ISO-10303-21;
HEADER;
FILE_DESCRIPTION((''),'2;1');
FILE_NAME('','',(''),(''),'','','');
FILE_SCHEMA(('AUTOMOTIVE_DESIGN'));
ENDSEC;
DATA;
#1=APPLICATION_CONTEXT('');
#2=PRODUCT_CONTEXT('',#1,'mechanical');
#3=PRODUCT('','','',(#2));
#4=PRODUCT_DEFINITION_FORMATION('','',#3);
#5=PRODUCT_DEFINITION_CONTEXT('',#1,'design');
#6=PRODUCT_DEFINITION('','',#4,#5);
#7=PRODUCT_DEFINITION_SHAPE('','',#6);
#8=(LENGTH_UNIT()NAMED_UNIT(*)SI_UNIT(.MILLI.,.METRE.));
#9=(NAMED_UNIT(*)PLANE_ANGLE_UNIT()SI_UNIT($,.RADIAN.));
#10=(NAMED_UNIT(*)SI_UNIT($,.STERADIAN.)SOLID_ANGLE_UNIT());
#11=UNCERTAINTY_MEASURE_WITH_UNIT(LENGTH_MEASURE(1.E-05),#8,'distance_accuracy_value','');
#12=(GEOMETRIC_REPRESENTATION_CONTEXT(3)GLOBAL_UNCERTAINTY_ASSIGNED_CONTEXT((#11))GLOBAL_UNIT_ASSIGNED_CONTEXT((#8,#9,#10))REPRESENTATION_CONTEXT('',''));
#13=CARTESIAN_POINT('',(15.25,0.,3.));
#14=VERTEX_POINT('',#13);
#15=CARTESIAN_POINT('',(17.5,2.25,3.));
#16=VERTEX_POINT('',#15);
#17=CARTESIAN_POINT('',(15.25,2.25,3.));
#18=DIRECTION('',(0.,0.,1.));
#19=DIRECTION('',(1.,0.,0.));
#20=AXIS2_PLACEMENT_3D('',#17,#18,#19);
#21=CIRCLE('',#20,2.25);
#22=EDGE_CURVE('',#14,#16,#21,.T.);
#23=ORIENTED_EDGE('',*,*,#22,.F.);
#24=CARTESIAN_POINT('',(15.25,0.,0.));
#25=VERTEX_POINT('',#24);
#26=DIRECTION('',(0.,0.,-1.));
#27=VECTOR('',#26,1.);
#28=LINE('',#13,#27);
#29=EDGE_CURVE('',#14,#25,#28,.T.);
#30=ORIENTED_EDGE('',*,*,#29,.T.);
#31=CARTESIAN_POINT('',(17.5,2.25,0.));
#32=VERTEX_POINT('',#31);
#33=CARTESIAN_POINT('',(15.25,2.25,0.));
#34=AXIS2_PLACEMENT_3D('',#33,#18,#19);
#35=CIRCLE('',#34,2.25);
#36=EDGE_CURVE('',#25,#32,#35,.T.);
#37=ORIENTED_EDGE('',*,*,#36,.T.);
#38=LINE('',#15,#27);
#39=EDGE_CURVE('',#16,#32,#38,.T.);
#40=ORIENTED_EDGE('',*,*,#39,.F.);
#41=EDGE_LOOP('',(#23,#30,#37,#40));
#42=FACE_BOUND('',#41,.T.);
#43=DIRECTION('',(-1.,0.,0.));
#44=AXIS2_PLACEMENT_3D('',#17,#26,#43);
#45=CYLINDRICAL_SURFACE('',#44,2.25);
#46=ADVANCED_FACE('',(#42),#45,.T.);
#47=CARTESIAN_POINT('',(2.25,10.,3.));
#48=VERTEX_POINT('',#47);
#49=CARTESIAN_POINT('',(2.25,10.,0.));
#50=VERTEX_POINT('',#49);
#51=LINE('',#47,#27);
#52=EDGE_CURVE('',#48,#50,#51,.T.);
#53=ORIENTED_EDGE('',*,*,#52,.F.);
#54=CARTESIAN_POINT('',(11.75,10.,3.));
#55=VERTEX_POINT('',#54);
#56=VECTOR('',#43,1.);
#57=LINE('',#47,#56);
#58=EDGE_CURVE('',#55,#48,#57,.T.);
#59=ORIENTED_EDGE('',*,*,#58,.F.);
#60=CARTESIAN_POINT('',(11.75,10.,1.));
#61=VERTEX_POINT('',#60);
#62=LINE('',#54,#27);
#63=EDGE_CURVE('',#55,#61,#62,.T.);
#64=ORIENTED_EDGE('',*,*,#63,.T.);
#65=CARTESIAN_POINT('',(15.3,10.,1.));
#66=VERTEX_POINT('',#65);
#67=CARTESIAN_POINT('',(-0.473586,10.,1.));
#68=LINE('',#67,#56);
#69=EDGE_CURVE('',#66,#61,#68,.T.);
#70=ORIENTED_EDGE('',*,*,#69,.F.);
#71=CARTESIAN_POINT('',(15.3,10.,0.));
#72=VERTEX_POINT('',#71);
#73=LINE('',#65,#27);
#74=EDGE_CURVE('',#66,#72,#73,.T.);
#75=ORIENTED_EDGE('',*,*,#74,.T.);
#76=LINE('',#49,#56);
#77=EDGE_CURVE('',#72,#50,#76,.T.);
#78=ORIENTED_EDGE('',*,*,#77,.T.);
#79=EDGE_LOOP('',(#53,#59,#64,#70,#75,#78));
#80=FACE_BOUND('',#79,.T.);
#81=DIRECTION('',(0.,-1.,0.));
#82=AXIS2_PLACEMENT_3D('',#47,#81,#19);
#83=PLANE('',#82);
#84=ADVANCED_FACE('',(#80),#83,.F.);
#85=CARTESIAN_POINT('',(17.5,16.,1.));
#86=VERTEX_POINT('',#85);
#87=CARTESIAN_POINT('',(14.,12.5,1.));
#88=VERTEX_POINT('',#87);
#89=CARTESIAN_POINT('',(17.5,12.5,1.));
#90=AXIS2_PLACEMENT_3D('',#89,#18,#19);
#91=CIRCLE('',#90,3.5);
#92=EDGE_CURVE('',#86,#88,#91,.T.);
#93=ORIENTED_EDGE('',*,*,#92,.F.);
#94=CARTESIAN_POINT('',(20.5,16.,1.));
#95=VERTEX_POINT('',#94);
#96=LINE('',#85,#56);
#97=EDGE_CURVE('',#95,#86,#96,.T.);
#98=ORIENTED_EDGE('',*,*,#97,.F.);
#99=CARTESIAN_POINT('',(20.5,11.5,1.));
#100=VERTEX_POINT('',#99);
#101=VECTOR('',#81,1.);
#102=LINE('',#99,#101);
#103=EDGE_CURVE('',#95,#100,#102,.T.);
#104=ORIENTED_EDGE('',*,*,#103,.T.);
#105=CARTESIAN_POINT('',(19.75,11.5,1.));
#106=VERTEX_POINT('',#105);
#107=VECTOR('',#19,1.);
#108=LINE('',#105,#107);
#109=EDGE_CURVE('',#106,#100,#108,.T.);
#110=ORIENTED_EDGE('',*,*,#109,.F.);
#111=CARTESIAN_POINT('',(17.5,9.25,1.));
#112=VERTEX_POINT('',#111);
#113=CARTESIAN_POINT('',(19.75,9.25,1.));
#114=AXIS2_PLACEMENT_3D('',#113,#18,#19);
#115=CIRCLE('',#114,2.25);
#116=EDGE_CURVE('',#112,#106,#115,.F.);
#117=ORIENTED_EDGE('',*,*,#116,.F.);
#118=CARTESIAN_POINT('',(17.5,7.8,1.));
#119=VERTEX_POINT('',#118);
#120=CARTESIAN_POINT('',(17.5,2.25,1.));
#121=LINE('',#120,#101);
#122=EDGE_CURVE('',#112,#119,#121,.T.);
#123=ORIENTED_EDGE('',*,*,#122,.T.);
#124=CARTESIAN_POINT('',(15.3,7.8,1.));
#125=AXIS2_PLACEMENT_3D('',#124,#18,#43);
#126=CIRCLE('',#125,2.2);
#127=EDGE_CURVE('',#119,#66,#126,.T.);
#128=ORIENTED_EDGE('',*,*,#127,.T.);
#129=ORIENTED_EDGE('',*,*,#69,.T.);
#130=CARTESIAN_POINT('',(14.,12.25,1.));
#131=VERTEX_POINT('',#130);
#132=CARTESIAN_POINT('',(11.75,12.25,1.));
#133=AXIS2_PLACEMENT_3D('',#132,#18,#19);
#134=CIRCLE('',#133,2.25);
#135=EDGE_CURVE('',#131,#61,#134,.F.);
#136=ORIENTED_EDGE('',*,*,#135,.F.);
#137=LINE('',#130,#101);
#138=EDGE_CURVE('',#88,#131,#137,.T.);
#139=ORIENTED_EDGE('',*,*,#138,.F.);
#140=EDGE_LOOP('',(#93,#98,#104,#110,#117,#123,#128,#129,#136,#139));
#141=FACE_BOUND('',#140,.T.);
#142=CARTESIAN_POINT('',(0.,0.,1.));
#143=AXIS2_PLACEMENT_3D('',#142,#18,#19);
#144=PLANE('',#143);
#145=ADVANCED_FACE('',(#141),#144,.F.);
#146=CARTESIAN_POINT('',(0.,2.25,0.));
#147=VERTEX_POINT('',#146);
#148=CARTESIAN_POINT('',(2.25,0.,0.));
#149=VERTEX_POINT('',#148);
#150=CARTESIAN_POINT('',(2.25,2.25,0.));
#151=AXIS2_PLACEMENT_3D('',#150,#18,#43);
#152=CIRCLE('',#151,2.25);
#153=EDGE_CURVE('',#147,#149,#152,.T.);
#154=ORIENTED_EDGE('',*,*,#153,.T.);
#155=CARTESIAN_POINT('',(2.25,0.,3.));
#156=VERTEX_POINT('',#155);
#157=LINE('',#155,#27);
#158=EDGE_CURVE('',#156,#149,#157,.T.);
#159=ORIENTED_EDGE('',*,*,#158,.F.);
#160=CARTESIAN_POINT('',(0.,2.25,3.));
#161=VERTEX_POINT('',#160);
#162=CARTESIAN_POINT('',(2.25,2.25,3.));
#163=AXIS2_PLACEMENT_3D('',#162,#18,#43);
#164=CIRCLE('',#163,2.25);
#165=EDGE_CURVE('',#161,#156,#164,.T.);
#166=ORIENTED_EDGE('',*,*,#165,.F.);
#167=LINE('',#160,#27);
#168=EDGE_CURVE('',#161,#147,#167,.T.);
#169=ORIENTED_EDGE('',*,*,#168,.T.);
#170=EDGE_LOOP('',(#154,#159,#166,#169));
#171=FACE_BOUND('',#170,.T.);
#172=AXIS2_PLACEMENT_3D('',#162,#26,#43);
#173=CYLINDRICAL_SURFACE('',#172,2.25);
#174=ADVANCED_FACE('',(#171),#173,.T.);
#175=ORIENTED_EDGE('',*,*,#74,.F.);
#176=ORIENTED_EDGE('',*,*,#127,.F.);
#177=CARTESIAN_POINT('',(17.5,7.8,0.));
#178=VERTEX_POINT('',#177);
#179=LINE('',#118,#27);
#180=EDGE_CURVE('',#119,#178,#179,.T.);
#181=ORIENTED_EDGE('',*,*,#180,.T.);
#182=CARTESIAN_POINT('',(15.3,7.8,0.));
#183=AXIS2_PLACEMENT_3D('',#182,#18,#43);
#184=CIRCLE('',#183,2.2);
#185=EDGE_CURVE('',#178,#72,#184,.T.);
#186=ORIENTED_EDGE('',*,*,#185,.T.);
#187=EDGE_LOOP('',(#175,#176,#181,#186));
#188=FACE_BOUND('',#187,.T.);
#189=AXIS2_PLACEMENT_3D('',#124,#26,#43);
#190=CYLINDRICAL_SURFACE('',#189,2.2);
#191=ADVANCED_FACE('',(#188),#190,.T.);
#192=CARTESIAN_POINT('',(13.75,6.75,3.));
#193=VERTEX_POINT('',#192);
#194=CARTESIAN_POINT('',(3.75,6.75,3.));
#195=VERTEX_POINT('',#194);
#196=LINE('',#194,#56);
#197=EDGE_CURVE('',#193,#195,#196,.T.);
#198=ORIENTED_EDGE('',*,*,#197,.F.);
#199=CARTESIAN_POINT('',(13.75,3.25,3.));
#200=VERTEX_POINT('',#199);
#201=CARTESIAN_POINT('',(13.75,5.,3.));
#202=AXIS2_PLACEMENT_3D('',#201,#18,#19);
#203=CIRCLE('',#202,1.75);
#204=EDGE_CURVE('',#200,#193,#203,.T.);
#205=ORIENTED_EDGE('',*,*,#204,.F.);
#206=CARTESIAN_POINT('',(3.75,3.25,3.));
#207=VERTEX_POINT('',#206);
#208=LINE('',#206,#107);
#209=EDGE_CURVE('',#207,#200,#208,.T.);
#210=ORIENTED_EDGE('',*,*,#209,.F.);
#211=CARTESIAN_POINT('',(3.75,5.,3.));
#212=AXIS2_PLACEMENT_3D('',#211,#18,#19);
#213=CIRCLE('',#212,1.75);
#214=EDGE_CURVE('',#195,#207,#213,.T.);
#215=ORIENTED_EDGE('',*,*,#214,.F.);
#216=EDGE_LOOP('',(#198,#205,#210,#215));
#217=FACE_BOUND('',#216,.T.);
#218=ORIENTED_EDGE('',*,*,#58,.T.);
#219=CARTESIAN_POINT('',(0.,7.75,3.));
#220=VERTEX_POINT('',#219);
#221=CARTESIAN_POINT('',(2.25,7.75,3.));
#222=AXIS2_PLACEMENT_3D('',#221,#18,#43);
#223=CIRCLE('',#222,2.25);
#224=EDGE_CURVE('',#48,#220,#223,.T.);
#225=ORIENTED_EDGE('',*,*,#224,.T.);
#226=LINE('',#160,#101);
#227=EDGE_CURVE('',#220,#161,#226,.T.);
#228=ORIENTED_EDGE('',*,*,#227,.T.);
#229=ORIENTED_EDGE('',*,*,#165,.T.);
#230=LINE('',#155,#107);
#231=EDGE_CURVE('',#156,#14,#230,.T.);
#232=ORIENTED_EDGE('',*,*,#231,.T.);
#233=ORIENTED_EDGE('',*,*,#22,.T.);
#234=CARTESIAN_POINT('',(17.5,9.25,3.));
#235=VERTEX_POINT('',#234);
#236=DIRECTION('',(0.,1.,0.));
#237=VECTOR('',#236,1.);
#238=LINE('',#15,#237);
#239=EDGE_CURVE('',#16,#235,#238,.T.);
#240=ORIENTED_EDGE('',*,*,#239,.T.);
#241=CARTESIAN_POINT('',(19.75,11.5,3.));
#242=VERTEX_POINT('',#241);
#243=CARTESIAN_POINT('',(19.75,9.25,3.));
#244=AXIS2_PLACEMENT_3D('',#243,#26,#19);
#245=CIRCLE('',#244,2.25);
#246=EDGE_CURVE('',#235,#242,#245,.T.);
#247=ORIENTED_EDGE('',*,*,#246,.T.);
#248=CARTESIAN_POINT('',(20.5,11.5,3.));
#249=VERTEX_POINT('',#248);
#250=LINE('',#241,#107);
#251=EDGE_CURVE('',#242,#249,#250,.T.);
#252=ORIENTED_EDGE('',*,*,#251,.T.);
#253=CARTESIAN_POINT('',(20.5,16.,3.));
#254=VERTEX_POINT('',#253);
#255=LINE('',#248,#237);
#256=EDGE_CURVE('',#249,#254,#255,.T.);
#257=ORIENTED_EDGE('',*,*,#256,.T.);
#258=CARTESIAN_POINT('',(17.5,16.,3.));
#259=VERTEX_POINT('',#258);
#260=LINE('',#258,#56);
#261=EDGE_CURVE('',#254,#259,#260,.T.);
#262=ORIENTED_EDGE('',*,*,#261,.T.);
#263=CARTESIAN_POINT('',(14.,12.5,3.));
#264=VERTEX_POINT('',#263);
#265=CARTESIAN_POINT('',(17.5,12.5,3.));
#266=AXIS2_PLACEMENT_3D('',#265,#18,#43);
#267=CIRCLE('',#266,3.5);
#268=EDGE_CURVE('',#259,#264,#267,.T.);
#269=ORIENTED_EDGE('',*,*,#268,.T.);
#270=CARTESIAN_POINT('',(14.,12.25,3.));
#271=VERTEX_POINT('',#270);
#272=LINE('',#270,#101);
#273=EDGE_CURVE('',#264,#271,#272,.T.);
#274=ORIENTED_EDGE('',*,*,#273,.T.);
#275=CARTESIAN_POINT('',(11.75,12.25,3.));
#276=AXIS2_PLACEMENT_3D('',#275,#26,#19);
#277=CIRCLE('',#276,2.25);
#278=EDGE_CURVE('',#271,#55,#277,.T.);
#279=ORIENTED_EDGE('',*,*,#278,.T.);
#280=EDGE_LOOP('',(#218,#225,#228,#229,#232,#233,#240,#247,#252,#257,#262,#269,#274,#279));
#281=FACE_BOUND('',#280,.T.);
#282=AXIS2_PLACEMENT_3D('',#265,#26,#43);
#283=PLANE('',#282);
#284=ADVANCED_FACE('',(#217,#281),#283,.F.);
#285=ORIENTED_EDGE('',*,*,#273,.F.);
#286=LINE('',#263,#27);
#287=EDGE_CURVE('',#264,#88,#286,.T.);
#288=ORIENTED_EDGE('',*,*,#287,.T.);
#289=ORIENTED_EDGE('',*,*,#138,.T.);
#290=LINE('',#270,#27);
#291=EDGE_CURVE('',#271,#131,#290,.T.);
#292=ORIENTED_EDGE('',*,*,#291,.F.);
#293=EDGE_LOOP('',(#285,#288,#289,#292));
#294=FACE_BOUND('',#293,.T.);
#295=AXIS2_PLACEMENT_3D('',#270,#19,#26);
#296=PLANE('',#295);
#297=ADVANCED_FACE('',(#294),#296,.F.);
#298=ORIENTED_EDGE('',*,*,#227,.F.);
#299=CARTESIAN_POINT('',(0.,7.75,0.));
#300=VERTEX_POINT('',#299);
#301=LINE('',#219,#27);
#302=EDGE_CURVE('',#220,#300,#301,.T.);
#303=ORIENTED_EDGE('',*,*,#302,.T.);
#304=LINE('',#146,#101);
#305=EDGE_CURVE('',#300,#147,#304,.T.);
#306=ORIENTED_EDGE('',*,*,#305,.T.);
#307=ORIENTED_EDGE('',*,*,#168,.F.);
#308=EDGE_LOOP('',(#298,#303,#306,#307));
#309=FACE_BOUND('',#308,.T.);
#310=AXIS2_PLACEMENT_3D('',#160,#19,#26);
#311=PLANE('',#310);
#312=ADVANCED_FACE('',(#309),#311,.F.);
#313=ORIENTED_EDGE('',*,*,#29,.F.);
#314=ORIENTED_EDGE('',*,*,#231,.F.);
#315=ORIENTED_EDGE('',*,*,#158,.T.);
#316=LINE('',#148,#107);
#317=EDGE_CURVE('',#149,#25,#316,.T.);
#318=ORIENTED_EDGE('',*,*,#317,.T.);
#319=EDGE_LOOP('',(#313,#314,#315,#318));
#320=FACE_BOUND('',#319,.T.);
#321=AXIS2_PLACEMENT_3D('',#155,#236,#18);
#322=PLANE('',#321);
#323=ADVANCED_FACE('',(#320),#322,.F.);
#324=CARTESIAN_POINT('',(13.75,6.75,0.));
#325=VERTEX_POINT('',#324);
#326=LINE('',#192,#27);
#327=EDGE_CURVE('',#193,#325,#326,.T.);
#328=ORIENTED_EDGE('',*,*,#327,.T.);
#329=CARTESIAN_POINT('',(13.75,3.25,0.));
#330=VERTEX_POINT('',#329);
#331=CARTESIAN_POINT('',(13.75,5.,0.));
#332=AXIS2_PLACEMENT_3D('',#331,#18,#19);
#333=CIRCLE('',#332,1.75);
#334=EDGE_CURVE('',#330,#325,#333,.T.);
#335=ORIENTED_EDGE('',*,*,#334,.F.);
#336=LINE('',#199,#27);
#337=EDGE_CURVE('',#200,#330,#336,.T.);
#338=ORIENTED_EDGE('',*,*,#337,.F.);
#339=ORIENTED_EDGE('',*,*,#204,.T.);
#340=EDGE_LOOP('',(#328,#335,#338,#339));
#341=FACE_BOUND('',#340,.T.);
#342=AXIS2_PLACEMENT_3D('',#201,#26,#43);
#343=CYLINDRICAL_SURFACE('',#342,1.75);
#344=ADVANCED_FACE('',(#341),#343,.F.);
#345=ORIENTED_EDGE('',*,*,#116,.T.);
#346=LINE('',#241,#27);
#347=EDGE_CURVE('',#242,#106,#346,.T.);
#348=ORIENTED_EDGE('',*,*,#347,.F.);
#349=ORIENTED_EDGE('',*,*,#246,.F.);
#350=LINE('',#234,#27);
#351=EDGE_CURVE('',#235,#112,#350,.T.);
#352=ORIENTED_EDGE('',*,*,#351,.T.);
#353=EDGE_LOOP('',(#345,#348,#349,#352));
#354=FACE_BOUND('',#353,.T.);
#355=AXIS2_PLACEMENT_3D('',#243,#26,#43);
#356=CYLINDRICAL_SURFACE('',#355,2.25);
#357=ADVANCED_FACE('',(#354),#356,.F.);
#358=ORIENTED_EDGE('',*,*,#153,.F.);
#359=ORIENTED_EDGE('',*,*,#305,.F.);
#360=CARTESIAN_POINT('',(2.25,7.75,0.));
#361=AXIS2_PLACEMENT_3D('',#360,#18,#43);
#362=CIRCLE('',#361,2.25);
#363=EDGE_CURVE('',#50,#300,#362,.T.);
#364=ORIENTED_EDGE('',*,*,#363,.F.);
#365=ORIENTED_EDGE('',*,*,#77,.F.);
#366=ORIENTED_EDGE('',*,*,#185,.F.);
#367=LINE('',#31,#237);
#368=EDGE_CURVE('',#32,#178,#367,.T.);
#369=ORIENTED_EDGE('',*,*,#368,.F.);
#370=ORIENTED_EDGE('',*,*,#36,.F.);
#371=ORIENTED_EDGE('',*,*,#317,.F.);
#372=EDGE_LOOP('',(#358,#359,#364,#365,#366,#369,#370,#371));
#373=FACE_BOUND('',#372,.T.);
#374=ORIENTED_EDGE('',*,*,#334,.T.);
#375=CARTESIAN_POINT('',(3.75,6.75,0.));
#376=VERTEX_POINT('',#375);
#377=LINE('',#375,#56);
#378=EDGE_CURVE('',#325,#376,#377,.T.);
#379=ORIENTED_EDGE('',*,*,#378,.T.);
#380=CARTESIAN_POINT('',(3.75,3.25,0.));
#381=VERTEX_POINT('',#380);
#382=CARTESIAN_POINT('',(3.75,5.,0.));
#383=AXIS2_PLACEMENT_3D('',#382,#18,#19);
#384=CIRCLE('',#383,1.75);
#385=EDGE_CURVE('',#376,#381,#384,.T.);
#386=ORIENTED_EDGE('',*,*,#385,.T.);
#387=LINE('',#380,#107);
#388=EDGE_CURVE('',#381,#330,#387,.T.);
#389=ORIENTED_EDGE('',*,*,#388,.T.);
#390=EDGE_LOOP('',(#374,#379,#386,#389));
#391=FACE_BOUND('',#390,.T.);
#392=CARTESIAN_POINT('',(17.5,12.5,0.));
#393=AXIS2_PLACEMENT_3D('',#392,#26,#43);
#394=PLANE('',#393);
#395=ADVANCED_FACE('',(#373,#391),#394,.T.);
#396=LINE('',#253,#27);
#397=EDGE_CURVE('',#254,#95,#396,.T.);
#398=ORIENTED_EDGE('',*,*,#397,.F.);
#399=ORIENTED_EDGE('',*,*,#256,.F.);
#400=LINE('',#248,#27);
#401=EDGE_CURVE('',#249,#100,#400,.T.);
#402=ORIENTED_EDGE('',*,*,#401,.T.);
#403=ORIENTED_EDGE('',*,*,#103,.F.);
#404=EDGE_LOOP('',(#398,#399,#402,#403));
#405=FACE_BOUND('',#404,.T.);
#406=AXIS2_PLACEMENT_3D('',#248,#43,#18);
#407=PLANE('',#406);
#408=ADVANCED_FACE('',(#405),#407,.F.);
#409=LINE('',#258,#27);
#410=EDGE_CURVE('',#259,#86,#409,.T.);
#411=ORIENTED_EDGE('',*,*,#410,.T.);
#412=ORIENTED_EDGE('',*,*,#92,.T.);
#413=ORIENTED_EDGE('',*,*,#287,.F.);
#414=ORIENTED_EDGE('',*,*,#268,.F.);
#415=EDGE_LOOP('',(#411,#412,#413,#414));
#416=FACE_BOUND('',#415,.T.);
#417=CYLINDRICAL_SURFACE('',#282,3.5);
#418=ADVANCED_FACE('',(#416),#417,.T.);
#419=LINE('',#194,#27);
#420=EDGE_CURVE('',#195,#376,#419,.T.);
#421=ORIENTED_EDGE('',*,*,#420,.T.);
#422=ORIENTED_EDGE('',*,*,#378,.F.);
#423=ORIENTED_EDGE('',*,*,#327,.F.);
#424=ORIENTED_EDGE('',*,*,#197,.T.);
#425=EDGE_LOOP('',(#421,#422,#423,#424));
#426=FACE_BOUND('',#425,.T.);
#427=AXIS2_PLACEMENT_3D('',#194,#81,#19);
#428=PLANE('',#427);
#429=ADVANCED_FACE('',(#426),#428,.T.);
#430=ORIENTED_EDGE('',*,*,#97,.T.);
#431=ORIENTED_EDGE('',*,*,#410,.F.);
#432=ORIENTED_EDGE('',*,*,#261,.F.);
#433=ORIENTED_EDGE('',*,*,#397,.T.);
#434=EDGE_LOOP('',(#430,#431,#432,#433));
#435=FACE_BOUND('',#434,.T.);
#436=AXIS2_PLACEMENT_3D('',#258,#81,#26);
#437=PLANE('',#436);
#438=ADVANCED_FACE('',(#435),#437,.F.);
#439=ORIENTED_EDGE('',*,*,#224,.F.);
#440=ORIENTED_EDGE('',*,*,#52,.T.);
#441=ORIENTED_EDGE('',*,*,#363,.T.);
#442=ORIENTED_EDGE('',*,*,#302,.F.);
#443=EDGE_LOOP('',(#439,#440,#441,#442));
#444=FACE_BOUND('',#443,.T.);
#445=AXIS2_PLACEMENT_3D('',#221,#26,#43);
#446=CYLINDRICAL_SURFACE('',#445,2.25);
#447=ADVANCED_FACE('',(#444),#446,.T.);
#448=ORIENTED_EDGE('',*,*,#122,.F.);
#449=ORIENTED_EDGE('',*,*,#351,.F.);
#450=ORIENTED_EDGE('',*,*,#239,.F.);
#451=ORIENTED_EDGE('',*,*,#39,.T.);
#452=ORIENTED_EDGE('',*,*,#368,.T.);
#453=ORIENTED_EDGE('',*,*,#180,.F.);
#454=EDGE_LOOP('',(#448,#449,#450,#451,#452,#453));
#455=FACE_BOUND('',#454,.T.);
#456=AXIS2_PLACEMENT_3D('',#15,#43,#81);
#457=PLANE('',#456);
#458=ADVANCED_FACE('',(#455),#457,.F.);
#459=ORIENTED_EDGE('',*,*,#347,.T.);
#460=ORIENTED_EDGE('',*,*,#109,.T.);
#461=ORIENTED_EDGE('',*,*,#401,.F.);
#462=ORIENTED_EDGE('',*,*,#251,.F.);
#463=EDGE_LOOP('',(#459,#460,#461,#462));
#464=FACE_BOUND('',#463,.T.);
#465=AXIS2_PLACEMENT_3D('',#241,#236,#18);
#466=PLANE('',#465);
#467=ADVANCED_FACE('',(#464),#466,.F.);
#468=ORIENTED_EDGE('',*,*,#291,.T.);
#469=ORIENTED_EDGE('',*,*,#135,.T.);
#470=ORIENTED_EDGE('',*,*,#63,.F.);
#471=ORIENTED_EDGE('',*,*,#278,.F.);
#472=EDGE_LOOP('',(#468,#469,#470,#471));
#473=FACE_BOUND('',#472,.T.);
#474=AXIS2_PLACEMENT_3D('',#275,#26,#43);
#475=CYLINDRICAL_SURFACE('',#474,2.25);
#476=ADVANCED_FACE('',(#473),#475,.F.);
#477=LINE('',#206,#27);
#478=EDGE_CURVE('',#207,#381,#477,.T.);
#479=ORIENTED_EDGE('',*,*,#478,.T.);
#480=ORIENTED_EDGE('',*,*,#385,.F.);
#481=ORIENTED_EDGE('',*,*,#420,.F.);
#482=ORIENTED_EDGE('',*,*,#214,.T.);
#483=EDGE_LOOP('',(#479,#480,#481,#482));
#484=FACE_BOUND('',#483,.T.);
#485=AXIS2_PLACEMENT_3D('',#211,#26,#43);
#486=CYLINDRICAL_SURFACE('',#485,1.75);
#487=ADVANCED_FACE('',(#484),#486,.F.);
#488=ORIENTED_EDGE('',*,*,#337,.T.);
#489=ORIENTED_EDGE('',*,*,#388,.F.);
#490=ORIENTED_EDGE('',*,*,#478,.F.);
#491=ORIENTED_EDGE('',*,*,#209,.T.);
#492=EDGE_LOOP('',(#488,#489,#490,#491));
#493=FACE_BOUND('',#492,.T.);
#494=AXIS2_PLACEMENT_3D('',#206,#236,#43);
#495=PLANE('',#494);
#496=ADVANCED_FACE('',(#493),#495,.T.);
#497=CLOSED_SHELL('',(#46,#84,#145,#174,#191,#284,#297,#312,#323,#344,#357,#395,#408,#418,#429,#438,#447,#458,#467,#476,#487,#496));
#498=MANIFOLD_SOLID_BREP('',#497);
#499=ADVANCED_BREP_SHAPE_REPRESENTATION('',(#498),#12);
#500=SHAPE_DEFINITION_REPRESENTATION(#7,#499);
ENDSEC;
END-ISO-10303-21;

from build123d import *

# Parameters (mm, degrees)
AUFSATZ_LINEAR_AUSTRAGEN1_DEPTH = 3
SCHNITT_LINEAR_AUSTRAGEN1_DEPTH = 1
SCHNITT_LINEAR_AUSTRAGEN2_DEPTH = 1


with BuildPart() as part:
    # Skizze1 → Aufsatz-Linear austragen1 (new body)
    with BuildSketch(Plane.XY):
        with BuildLine():
            Line((2.25, 0), (15.25, 0))
            ThreePointArc((15.25, 0), (16.840990258, 0.659009742), (17.5, 2.25))
            Line((17.5, 2.25), (17.5, 9.25))
            ThreePointArc((17.5, 9.25), (18.159009742, 10.840990258), (19.75, 11.5))
            Line((19.75, 11.5), (20.5, 11.5))
            Line((20.5, 11.5), (20.5, 16))
            Line((20.5, 16), (17.5, 16))
            ThreePointArc((17.5, 16), (15.025126266, 14.974873734), (14, 12.5))
            Line((14, 12.5), (14, 12.25))
            ThreePointArc((14, 12.25), (13.340990258, 10.659009742), (11.75, 10))
            Line((11.75, 10), (2.25, 10))
            ThreePointArc((2.25, 10), (0.659009742, 9.340990258), (0, 7.75))
            Line((0, 7.75), (0, 2.25))
            ThreePointArc((0, 2.25), (0.659009742, 0.659009742), (2.25, 0))
        make_face()
        with BuildLine():
            Line((3.75, 6.75), (13.75, 6.75))
            ThreePointArc((13.75, 6.75), (15.5, 5), (13.75, 3.25))
            Line((13.75, 3.25), (3.75, 3.25))
            ThreePointArc((3.75, 3.25), (2, 5), (3.75, 6.75))
        make_face(mode=Mode.SUBTRACT)
    extrude(amount=AUFSATZ_LINEAR_AUSTRAGEN1_DEPTH)

    # Skizze2 → Schnitt-Linear austragen1 (cut)
    with BuildSketch(Plane(origin=(0, 0, 0), x_dir=(-1, 0, 0), z_dir=(0, 0, -1))):
        Polygon((0.473585846, 10), (-20.5, 10), (-20.5, 11.5), (-20.5, 17.5), (0.473585846, 17.5), (0.473585846, 12.5), align=None)
    extrude(amount=-SCHNITT_LINEAR_AUSTRAGEN1_DEPTH, mode=Mode.SUBTRACT)

    # Skizze3 → Schnitt-Linear austragen2 (cut)
    with BuildSketch(Plane(origin=(0, 0, 0), x_dir=(-1, 0, 0), z_dir=(0, 0, -1))):
        with BuildLine():
            Line((-17.5, 7.8), (-18.826048275, 7.8))
            Line((-18.826048275, 7.8), (-18.826048275, 10.648235291))
            Line((-18.826048275, 10.648235291), (-15.3, 10.648235291))
            Line((-15.3, 10.648235291), (-15.3, 10))
            ThreePointArc((-15.3, 10), (-16.855634919, 9.355634919), (-17.5, 7.8))
        make_face()
    extrude(amount=-SCHNITT_LINEAR_AUSTRAGEN2_DEPTH, mode=Mode.SUBTRACT)


solid = part.part
